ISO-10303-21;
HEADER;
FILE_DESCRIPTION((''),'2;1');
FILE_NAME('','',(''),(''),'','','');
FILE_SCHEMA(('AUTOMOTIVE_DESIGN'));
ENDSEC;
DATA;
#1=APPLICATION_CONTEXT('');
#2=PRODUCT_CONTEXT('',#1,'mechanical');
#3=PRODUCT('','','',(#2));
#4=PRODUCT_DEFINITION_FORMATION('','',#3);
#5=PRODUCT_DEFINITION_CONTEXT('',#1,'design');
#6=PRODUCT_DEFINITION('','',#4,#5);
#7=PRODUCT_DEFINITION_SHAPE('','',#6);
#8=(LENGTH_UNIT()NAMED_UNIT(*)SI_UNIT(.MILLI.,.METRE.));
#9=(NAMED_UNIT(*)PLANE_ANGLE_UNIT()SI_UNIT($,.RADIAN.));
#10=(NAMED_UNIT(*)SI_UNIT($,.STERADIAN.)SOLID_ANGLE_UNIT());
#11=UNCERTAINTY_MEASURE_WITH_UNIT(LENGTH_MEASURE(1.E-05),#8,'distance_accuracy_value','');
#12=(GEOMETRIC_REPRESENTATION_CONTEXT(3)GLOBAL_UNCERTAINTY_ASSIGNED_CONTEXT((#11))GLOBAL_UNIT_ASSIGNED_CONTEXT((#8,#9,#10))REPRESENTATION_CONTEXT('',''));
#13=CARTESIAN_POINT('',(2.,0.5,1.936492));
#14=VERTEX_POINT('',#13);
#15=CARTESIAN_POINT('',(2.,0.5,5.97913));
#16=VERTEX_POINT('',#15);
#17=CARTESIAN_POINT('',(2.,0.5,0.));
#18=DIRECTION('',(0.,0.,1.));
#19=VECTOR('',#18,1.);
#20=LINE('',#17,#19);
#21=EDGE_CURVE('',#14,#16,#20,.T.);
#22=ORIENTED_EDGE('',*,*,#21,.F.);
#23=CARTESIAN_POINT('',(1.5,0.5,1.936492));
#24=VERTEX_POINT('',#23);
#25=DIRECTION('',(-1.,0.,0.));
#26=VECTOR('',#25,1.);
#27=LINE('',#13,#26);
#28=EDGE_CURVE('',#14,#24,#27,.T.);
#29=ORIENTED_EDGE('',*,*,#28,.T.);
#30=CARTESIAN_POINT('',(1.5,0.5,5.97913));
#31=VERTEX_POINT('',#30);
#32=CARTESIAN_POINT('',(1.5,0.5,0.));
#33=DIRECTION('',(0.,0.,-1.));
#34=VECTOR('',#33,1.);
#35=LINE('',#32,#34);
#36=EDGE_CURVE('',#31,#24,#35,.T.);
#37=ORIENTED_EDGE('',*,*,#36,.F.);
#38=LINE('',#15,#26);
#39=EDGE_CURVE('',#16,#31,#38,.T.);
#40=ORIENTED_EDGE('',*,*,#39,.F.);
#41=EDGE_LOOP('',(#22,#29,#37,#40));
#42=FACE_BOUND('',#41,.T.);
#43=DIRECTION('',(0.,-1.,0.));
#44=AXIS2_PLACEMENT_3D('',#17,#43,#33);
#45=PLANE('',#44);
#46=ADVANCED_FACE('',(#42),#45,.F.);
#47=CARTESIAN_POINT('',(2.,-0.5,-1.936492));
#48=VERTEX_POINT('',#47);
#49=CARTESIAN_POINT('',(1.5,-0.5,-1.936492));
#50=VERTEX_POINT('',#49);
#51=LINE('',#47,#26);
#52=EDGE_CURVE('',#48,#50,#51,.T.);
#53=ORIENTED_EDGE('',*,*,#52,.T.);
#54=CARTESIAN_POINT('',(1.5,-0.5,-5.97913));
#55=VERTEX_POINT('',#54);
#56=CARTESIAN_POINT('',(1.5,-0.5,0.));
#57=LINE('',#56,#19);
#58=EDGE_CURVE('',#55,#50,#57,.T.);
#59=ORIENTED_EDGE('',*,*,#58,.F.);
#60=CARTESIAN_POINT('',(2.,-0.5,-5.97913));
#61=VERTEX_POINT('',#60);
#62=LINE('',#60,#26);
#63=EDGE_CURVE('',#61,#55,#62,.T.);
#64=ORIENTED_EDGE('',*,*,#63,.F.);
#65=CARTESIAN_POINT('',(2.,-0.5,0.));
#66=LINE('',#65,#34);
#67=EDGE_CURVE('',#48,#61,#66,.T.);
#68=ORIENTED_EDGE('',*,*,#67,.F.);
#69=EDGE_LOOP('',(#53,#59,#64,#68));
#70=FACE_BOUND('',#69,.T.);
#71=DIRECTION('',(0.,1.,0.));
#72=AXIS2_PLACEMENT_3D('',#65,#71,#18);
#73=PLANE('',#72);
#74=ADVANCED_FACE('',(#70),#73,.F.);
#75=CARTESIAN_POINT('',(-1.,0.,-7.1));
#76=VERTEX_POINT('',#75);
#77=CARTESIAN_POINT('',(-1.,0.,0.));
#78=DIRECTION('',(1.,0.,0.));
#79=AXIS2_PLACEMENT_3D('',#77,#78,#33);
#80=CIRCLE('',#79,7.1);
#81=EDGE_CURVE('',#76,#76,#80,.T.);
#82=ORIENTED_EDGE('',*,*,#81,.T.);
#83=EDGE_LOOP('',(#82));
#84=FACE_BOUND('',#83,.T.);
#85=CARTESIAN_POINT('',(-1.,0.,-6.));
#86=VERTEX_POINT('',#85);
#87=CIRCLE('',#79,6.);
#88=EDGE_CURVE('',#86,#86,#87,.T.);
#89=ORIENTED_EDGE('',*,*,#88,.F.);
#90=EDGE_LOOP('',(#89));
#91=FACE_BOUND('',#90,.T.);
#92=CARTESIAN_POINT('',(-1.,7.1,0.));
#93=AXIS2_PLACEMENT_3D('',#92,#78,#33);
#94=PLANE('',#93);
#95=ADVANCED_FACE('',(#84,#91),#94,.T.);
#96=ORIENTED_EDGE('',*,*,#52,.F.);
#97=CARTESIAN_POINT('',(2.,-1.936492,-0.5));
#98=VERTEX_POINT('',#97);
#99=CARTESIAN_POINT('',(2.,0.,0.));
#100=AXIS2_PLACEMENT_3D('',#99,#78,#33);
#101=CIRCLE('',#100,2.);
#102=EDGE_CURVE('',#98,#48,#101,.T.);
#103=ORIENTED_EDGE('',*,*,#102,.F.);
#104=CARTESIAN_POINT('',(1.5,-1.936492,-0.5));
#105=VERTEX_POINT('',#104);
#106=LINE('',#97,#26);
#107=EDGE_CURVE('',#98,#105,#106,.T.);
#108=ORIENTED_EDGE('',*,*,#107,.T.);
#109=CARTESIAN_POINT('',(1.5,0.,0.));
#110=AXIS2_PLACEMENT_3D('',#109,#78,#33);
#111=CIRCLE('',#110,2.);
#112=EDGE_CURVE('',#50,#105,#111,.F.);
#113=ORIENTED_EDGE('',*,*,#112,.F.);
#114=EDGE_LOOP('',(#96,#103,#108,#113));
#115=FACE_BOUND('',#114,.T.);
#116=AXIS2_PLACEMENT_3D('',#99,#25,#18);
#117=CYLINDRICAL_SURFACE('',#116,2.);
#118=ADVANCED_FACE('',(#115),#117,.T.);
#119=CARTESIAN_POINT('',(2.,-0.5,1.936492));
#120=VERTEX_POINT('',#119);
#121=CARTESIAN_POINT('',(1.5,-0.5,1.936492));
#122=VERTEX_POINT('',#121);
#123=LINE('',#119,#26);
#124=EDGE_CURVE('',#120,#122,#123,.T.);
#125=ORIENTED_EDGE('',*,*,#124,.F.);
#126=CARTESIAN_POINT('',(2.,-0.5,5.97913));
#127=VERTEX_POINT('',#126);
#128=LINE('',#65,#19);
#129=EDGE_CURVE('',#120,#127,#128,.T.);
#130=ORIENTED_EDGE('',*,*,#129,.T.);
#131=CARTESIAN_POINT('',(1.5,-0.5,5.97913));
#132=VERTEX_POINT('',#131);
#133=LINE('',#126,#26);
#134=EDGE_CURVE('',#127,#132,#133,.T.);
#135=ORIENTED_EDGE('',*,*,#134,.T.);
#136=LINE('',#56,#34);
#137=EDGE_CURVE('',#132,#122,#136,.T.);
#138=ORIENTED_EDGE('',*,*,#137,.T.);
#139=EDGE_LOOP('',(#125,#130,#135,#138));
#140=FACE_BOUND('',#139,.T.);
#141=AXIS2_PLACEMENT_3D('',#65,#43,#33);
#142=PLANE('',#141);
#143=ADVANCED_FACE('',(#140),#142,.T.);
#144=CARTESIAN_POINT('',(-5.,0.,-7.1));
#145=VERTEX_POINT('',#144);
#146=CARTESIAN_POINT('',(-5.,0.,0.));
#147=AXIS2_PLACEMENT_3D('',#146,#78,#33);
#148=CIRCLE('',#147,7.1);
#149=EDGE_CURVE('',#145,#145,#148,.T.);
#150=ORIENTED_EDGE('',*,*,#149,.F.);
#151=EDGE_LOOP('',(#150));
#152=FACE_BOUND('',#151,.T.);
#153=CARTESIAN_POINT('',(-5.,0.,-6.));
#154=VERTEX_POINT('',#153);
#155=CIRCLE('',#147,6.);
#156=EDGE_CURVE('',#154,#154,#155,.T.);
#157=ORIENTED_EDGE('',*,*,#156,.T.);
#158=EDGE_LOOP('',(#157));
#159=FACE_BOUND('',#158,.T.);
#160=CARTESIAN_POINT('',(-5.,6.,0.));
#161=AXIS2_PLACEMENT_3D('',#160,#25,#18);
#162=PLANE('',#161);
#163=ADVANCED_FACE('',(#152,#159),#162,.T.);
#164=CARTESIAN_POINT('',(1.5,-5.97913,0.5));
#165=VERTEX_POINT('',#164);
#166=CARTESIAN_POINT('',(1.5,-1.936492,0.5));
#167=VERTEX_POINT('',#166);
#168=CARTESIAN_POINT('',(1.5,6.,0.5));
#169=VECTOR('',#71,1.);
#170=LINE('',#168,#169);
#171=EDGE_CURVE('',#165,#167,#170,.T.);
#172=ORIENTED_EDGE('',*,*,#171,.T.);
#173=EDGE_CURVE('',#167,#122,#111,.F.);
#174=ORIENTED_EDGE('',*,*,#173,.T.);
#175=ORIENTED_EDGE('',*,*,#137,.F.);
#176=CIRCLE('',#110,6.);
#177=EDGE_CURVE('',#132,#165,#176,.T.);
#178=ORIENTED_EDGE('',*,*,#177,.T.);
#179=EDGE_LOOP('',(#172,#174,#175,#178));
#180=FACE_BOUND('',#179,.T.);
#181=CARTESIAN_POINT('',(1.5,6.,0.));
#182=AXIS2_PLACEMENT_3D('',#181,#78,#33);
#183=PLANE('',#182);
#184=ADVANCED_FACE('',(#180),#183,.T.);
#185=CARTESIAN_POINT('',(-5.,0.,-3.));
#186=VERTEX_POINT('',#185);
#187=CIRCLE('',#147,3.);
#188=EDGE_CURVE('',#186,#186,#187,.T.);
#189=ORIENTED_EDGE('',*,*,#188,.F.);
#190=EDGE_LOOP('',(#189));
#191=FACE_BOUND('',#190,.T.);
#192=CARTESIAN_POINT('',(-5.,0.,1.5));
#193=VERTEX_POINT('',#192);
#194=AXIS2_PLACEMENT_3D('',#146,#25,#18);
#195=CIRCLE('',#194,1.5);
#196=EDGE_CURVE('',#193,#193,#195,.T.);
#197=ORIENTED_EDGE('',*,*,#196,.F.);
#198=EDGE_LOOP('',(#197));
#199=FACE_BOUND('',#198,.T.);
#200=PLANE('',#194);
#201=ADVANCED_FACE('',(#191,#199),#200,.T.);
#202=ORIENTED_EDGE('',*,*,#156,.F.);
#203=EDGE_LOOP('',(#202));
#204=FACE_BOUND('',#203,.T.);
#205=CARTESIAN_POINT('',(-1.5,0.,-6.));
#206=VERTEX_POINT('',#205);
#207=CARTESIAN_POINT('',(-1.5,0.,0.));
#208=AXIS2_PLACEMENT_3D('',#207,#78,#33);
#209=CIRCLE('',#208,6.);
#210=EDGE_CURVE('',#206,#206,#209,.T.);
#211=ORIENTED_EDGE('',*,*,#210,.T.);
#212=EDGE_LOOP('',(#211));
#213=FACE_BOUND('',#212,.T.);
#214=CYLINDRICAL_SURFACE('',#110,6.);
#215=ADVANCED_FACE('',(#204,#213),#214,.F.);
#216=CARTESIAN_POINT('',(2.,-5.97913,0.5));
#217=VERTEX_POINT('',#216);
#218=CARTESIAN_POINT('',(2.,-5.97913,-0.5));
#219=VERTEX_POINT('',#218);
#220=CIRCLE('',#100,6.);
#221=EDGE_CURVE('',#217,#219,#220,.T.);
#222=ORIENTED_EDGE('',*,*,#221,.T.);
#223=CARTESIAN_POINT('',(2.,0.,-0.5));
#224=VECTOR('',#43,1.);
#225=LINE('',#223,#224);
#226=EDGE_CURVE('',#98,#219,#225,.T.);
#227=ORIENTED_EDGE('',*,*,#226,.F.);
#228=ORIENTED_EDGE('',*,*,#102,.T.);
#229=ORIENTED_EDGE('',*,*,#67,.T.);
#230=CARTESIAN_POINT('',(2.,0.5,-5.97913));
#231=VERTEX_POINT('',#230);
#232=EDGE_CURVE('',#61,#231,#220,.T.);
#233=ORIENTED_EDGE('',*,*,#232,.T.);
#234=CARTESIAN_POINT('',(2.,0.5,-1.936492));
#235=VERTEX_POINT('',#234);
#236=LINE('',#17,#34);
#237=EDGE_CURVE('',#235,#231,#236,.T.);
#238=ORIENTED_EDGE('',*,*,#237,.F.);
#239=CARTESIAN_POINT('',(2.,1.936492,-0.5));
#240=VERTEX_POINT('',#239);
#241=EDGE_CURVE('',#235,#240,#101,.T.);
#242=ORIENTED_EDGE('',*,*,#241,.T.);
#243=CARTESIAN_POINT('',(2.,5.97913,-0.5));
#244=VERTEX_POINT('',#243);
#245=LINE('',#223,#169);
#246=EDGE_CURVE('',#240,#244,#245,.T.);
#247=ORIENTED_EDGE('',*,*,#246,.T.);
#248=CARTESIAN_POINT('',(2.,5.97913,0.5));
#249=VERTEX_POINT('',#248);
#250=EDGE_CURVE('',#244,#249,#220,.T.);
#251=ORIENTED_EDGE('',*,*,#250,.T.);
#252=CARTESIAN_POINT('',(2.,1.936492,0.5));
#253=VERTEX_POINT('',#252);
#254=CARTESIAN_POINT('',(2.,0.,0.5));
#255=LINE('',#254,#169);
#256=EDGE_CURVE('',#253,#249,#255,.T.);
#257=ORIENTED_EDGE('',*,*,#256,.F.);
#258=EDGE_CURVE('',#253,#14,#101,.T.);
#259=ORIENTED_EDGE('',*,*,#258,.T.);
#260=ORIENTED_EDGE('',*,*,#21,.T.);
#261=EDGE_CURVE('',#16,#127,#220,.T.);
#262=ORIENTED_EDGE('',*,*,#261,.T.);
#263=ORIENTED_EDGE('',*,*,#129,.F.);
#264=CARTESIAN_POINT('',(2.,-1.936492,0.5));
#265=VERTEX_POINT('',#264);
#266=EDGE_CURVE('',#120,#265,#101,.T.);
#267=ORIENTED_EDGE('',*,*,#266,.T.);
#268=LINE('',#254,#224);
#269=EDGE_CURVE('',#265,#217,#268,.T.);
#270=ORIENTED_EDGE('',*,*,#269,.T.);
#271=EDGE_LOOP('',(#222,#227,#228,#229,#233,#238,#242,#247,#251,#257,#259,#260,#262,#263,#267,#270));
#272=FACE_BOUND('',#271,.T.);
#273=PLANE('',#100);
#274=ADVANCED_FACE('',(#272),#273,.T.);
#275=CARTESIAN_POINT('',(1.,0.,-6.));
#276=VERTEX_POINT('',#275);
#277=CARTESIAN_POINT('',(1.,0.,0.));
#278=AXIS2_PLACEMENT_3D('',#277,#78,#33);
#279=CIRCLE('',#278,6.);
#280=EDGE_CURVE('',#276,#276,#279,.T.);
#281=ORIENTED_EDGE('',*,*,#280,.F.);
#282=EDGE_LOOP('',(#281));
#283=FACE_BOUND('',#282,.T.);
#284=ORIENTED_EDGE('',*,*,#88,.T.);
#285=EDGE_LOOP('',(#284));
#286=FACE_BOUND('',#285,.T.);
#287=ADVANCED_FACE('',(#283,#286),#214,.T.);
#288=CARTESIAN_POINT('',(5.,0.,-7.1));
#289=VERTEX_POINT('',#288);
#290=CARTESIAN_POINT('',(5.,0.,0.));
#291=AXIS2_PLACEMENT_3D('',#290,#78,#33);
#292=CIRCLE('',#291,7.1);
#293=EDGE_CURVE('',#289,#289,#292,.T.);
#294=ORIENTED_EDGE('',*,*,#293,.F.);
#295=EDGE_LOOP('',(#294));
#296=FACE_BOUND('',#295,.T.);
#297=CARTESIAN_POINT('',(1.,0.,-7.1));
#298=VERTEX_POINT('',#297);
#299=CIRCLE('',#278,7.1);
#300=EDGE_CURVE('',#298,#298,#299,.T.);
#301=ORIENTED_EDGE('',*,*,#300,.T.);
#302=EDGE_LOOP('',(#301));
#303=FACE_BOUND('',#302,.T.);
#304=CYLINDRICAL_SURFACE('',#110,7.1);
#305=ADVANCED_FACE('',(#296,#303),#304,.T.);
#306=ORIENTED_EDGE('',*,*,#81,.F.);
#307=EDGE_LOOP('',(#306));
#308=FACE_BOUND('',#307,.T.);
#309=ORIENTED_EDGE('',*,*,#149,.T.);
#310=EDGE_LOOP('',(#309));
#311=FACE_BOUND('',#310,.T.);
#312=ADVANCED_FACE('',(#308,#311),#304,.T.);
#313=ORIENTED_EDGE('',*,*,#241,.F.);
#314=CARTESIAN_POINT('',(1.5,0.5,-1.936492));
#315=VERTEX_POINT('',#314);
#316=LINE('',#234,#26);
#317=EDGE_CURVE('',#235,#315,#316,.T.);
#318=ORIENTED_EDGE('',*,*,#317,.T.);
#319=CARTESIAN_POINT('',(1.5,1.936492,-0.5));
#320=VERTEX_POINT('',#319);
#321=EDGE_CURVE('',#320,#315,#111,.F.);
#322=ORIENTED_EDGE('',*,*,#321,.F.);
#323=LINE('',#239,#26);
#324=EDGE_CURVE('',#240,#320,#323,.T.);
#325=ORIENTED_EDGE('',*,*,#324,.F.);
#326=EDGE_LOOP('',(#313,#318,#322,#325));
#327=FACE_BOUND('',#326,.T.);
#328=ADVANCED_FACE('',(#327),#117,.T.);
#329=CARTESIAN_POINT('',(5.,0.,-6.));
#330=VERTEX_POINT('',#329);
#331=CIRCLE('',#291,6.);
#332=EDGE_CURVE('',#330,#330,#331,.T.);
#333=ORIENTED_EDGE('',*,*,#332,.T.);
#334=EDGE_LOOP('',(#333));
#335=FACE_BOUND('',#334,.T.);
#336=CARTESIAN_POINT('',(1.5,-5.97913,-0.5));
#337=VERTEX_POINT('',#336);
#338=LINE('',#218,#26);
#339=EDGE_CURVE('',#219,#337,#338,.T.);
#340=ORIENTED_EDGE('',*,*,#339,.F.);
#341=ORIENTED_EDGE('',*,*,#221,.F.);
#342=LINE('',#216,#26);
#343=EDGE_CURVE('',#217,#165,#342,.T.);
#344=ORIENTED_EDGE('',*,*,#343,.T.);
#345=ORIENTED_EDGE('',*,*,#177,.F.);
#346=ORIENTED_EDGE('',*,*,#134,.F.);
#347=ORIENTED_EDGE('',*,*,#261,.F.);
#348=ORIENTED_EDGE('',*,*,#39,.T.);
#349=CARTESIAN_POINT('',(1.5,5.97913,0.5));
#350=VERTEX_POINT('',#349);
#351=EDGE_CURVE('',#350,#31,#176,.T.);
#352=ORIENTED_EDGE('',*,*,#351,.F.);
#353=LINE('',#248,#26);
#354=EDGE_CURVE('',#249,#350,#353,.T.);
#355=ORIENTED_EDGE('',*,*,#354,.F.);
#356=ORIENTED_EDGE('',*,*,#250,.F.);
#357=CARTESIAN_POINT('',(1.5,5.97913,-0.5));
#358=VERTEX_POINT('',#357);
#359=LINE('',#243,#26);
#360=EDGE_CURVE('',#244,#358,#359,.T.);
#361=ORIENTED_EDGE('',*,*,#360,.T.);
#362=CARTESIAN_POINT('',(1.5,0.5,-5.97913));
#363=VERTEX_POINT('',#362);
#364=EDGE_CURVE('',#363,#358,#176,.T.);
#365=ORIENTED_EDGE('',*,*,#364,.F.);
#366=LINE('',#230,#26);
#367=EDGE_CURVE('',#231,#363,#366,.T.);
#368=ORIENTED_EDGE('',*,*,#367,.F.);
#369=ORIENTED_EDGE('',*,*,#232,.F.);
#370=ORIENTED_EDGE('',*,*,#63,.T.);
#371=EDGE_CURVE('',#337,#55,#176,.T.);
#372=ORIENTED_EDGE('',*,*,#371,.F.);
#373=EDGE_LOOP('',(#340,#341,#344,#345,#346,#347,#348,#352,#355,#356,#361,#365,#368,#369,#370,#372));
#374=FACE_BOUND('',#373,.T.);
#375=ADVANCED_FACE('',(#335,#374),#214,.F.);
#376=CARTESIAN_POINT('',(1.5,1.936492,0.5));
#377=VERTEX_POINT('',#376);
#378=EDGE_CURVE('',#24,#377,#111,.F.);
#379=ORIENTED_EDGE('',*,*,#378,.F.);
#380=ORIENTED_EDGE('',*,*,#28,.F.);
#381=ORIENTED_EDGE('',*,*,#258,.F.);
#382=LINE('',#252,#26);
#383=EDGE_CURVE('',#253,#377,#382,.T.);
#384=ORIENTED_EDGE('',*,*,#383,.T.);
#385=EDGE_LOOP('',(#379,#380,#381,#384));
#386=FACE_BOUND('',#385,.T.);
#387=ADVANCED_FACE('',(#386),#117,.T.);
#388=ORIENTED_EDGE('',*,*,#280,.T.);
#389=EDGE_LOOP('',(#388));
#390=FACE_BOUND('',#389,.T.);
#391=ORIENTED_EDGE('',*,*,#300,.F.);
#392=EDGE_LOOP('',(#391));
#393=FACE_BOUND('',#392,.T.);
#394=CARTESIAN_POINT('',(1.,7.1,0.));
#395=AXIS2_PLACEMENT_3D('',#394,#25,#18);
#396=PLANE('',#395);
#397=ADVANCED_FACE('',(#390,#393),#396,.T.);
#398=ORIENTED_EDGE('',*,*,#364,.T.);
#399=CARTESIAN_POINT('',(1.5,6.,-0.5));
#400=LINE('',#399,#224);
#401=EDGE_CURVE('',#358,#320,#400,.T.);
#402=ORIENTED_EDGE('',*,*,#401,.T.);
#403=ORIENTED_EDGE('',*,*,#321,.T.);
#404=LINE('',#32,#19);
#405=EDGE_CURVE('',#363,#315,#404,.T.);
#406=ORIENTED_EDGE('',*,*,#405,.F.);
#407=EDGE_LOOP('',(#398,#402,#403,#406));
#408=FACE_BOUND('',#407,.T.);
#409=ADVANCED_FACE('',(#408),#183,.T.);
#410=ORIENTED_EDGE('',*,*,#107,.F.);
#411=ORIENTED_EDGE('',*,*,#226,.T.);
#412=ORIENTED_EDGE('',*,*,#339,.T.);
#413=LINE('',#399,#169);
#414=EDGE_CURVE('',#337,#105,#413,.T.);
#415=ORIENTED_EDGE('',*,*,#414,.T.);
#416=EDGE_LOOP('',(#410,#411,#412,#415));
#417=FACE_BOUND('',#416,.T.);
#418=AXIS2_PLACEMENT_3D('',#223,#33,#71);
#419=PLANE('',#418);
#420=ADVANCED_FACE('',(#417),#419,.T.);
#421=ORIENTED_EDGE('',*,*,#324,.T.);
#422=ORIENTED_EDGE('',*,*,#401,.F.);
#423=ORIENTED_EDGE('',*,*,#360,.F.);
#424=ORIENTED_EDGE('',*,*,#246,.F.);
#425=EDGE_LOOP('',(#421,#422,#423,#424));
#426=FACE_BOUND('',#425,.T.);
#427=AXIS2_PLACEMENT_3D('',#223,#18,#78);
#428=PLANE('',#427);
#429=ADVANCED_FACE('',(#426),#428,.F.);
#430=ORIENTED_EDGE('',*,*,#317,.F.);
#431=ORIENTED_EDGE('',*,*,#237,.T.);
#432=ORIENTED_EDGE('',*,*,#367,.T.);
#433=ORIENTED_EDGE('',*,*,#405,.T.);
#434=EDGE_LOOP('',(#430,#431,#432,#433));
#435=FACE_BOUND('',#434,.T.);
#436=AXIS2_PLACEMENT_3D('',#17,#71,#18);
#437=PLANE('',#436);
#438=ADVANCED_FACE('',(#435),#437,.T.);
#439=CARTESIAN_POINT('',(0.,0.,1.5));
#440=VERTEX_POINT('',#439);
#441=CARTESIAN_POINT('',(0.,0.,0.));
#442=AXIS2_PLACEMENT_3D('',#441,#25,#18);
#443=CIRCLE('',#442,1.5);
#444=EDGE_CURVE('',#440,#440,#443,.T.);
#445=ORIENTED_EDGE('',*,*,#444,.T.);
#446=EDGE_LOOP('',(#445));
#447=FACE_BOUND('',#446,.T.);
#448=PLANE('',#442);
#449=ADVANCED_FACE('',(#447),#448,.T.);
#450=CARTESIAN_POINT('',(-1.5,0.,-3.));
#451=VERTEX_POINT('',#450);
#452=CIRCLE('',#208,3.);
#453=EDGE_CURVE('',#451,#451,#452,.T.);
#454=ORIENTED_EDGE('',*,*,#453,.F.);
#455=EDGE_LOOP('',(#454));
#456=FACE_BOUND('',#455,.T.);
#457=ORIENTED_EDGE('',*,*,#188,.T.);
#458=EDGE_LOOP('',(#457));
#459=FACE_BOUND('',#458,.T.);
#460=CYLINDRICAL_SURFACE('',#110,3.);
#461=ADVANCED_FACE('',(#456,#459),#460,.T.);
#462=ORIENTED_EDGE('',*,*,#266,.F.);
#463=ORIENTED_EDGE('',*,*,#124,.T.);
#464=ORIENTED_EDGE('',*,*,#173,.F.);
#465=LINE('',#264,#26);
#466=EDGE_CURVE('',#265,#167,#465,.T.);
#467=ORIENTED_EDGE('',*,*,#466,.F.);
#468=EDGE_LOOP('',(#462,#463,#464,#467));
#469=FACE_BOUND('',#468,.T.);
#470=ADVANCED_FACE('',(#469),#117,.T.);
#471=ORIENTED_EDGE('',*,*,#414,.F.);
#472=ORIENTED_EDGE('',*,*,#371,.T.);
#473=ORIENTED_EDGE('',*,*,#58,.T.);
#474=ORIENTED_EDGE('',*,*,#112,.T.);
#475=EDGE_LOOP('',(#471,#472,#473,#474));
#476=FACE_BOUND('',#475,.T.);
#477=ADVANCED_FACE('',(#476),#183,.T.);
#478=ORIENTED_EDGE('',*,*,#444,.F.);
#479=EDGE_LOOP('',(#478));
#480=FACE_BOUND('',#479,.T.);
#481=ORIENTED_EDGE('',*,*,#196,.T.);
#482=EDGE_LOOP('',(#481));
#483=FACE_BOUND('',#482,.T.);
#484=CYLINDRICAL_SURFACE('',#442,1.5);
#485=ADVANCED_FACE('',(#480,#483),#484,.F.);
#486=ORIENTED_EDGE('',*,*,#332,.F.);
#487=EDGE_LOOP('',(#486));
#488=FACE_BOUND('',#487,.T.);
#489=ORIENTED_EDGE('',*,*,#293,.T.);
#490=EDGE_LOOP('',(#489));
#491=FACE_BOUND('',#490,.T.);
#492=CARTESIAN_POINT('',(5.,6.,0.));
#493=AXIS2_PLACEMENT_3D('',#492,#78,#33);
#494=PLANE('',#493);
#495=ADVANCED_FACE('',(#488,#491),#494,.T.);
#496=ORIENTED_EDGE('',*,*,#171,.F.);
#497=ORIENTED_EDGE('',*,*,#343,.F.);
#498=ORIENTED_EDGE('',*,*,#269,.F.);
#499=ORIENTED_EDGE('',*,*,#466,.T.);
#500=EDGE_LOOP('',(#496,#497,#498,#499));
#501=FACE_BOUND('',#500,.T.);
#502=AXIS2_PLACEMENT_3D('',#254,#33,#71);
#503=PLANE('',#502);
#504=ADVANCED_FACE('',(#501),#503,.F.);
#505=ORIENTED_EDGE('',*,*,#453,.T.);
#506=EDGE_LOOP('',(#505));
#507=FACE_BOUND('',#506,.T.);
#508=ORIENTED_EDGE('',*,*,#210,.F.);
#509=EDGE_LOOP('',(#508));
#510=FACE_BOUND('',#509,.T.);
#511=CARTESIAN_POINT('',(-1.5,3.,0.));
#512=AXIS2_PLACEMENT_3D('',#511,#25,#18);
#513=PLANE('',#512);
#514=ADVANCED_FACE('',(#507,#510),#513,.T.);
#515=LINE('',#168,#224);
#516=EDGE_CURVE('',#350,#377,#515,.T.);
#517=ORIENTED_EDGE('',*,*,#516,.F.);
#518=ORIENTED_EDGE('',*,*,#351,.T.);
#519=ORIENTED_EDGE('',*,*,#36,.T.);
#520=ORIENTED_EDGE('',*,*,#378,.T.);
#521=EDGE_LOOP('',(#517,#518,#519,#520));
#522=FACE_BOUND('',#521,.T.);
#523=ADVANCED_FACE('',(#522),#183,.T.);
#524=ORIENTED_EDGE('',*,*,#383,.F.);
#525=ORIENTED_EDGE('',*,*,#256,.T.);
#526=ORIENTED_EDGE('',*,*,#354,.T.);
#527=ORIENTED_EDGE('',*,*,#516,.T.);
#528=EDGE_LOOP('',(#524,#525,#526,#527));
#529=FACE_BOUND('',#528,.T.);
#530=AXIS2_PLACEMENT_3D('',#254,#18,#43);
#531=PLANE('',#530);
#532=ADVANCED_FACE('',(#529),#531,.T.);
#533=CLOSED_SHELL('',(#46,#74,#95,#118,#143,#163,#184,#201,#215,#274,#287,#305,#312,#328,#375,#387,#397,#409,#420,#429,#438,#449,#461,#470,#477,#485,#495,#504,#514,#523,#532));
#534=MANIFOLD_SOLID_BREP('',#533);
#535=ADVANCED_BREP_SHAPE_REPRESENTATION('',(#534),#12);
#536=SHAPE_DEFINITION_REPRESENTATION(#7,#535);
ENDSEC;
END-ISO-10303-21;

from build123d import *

# Parameters (mm, degrees)
BOSS_EXTRUDE2_DEPTH = 2
SKETCH3_R           = 1.5
CUT_EXTRUDE2_DEPTH  = 5


with BuildPart() as part:
    # Sketch1 → Revolve1 (revolve)
    with BuildSketch(Plane.XY, mode=Mode.PRIVATE) as revolve1_sk:
        Polygon((0, 0), (-5, 0), (-5, 3), (-1.5, 3), (-1.5, 6), (-5, 6), (-5, 7.1), (-1, 7.1), (-1, 6), (1, 6), (1, 7.1), (5, 7.1), (5, 6), (1.5, 6), (1.5, 0), align=None)
    revolve(revolve1_sk.sketch.rotate(Axis((1.5, 0, 0), (-1, 0, 0)), 90), axis=Axis((1.5, 0, 0), (-1, 0, 0)))

    # Sketch2 → Boss-Extrude2 (add)
    with BuildSketch(Plane(origin=(0, 0, 0), x_dir=(0, 0, -1), z_dir=(1, 0, 0))):
        with BuildLine():
            Line((0.5, 1.936491673), (0.5, 5.979130372))
            ThreePointArc((0.5, 5.979130372), (0, 6), (-0.5, 5.979130372))
            Line((-0.5, 5.979130372), (-0.5, 1.936491673))
            ThreePointArc((-0.5, 1.936491673), (-1.414213562, 1.414213562), (-1.936491673, 0.5))
            Line((-1.936491673, 0.5), (-5.979130372, 0.5))
            ThreePointArc((-5.979130372, 0.5), (-6, 0), (-5.979130372, -0.5))
            Line((-5.979130372, -0.5), (-1.936491673, -0.5))
            ThreePointArc((-1.936491673, -0.5), (-1.414213562, -1.414213562), (-0.5, -1.936491673))
            Line((-0.5, -1.936491673), (-0.5, -5.979130372))
            ThreePointArc((-0.5, -5.979130372), (0, -6), (0.5, -5.979130372))
            Line((0.5, -5.979130372), (0.5, -1.936491673))
            ThreePointArc((0.5, -1.936491673), (1.414213562, -1.414213562), (1.936491673, -0.5))
            Line((1.936491673, -0.5), (5.979130372, -0.5))
            ThreePointArc((5.979130372, -0.5), (6, 0), (5.979130372, 0.5))
            Line((5.979130372, 0.5), (1.936491673, 0.5))
            ThreePointArc((1.936491673, 0.5), (1.414213562, 1.414213562), (0.5, 1.936491673))
        make_face()
    extrude(amount=BOSS_EXTRUDE2_DEPTH)

    # Sketch3 → Cut-Extrude2 (cut)
    with BuildSketch(Plane.ZY.offset(5)):
        Circle(SKETCH3_R)
    extrude(amount=-CUT_EXTRUDE2_DEPTH, mode=Mode.SUBTRACT)


solid = part.part
